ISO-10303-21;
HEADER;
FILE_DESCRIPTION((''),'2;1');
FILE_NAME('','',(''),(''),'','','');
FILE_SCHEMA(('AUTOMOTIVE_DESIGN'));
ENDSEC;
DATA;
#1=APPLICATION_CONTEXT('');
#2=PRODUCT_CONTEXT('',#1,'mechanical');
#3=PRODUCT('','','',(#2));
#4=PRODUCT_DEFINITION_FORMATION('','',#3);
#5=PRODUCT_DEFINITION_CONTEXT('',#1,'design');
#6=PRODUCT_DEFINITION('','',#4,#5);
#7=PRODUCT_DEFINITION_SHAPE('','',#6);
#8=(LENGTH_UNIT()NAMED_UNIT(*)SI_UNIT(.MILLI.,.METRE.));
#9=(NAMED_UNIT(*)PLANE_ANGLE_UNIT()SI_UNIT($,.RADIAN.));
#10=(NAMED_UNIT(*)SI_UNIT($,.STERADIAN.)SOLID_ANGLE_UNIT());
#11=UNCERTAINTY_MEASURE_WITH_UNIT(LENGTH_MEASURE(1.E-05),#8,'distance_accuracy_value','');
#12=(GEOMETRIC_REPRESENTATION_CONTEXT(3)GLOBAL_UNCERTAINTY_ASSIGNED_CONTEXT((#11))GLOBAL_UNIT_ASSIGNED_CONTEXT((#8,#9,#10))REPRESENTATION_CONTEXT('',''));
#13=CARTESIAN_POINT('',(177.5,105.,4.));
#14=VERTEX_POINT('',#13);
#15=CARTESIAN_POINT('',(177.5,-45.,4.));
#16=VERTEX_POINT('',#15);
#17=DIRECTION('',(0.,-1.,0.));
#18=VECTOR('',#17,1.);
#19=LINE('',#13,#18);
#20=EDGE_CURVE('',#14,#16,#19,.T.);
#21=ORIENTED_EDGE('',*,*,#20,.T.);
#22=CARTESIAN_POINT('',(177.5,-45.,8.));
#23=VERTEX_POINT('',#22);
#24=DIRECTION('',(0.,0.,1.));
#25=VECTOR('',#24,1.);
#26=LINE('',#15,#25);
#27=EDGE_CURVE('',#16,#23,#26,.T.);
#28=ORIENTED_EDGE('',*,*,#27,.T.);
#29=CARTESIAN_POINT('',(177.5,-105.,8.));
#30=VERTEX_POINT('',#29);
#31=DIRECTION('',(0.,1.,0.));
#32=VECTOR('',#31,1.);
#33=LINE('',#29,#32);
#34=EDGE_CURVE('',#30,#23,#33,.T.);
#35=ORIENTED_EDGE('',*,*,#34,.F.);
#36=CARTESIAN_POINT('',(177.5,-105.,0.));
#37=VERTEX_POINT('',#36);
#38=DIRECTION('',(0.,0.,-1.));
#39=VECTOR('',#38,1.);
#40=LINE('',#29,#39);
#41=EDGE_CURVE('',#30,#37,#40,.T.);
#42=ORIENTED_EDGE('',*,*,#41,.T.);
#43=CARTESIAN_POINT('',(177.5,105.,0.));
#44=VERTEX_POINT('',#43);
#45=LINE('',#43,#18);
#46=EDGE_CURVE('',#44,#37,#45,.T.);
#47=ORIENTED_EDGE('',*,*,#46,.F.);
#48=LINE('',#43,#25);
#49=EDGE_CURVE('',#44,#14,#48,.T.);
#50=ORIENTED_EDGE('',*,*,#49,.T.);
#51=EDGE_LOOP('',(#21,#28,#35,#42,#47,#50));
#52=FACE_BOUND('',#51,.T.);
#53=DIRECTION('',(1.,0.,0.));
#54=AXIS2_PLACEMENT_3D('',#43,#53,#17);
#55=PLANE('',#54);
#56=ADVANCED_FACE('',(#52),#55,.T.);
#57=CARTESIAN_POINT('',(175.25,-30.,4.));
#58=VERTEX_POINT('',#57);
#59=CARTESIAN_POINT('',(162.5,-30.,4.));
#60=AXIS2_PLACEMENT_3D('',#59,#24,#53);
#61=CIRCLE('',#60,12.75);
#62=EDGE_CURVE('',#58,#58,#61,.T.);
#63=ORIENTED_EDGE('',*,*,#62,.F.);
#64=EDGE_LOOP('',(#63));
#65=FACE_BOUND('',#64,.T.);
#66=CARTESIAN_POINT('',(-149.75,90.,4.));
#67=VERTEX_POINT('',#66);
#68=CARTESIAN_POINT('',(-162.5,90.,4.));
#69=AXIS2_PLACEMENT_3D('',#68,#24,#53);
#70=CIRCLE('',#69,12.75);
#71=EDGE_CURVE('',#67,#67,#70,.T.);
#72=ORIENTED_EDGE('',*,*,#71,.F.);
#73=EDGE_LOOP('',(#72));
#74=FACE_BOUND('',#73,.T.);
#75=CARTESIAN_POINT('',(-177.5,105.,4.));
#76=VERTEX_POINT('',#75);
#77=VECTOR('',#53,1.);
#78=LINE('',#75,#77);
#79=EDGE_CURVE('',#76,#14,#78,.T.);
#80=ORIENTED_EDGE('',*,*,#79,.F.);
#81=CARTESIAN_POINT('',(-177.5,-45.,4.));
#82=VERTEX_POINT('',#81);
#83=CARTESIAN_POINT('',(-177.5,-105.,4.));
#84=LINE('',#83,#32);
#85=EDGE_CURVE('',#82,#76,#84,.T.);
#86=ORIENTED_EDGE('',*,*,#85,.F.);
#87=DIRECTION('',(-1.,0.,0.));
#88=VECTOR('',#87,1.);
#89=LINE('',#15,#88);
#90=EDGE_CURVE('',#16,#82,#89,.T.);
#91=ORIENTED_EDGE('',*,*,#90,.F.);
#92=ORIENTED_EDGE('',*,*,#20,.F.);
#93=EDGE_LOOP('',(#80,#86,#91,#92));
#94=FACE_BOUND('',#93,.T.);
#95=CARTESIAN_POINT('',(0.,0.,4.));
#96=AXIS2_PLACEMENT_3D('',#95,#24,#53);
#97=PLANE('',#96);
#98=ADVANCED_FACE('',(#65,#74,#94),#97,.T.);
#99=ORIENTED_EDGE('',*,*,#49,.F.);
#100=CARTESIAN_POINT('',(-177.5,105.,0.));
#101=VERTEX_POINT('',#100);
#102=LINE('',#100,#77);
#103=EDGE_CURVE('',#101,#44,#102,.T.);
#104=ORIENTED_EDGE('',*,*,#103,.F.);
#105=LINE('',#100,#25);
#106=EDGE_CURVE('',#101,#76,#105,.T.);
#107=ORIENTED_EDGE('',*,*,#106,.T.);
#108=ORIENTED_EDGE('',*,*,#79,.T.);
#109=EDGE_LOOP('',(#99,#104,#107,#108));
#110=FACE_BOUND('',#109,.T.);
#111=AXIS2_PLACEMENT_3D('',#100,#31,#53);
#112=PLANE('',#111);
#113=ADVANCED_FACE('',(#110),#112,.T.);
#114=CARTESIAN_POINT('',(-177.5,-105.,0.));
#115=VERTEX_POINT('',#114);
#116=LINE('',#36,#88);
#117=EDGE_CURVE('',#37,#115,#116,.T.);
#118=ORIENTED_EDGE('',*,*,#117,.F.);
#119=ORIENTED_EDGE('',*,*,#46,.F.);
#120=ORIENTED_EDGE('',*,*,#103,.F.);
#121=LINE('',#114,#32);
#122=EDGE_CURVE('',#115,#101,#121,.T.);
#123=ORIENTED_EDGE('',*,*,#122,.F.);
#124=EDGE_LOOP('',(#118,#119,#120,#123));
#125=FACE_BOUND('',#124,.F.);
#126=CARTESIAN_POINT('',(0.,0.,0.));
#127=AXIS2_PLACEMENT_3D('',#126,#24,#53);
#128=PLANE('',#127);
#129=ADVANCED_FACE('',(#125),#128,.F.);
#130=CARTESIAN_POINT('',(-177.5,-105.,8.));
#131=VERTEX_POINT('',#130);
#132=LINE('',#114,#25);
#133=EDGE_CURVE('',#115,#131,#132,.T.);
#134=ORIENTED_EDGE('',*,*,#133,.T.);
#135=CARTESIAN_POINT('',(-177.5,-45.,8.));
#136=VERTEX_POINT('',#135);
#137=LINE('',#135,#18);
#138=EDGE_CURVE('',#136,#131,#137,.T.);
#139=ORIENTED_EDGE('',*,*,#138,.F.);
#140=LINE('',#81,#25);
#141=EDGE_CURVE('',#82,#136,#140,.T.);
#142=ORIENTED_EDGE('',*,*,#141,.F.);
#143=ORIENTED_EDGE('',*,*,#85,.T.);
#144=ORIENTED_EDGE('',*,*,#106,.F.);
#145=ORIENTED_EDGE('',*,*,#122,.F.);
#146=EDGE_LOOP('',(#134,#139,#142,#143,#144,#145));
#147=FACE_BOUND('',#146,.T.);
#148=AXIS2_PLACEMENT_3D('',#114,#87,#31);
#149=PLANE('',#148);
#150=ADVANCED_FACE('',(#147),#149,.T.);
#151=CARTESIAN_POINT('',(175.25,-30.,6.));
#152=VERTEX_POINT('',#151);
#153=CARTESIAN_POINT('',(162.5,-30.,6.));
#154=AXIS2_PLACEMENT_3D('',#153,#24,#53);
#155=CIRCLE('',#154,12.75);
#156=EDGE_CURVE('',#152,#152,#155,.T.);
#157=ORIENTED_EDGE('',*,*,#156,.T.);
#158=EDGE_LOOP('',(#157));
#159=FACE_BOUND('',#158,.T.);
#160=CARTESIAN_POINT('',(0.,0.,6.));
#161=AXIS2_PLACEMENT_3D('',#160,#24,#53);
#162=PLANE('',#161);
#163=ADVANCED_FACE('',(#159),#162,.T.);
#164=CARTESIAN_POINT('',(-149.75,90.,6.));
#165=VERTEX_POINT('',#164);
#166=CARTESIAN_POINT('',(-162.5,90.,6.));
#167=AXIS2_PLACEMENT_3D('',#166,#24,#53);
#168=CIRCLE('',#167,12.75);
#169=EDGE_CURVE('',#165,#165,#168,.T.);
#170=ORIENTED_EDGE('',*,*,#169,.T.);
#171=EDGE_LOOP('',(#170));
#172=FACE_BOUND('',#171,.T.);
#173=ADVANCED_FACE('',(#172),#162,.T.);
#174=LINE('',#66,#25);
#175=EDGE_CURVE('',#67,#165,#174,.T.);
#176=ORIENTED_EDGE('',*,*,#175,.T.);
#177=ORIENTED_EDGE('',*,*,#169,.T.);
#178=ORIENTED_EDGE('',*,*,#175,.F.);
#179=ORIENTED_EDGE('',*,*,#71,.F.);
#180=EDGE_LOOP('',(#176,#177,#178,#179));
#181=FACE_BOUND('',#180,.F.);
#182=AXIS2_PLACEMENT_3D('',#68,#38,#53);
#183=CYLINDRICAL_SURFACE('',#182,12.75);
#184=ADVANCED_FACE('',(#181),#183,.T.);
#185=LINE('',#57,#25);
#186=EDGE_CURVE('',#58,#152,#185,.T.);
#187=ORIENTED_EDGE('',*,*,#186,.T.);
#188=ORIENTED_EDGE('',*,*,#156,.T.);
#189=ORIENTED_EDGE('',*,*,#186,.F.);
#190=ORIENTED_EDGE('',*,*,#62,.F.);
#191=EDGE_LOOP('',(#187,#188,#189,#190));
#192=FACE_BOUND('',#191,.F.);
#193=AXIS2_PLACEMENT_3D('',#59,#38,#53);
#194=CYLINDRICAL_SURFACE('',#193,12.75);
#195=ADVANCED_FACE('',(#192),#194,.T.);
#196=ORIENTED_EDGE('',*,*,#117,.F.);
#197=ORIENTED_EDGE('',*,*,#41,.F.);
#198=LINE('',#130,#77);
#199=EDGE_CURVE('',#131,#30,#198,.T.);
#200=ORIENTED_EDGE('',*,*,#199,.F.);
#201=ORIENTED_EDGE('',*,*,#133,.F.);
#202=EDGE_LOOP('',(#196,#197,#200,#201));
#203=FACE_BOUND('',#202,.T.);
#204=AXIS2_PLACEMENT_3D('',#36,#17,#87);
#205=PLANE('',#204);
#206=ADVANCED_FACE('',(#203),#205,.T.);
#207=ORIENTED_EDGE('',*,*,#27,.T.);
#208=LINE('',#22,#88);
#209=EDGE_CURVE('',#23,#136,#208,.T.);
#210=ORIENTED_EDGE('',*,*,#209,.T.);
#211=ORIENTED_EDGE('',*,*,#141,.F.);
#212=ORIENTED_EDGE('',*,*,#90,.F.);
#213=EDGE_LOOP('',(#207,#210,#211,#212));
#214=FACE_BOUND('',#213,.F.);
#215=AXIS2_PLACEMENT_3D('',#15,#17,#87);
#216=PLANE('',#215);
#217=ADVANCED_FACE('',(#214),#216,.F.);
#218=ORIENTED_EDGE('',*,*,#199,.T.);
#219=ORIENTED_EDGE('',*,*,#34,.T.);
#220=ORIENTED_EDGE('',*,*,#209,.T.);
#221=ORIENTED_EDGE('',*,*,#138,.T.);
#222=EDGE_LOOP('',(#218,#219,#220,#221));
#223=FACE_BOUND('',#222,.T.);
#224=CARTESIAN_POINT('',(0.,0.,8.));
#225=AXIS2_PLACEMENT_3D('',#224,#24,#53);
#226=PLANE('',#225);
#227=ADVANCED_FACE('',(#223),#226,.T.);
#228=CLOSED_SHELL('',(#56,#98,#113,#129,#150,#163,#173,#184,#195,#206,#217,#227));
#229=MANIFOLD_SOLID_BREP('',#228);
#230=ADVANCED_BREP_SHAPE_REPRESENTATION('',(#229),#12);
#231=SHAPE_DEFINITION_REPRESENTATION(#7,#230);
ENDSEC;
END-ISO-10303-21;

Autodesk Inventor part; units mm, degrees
ref_plane "YZ Plane" through (0, 0, 0) normal (1, 0, 0) x (0, 1, 0)
ref_plane "XZ Plane" through (0, 0, 0) normal (0, 1, 0) x (-1, 0, 0)
ref_plane "XY Plane" through (0, 0, 0) normal (0, 0, 1) x (1, 0, 0)
sketch "Эскиз1" plane through (0, 0, 0) normal (0, 0, 1) x (1, 0, 0)
  line L0 (-177.5, 105) -> (177.5, 105)
  line L1 (177.5, 105) -> (177.5, -105)
  line L2 (177.5, -105) -> (-177.5, -105)
  line L3 (-177.5, -105) -> (-177.5, 105)
  line L4 (-177.5, 105) -> (177.5, -105) construction
  line L5 (177.5, 105) -> (-177.5, -105) construction
  point P0 (0, 0)
  dimension "d0" = 355
  dimension "d1" = 210
extrude "Выдавливание1" add sketch "Эскиз1" along normal blind 4
sketch "Эскиз2" plane through (0, 0, 4) normal (0, 0, 1) x (1, 0, 0)
  line L0 (-177.5, -105) -> (177.5, -105) projected
  line L1 (177.5, -105) -> (177.5, 105) projected
  line L2 (-177.5, -105) -> (177.5, -105)
  line L3 (177.5, -105) -> (177.5, -45)
  line L4 (177.5, -45) -> (-177.5, -45)
  line L5 (-177.5, -45) -> (-177.5, -105)
  point P0 (0, 0)
  dimension "d4" = 60
extrude "Выдавливание2" add sketch "Эскиз2" along normal blind 4
sketch "Эскиз3" plane through (0, 0, 4) normal (0, 0, 1) x (1, 0, 0)
  circle A0 centre (-162.5, 90) radius 15
  circle A1 centre (162.5, -30) radius 15
  line L0 (177.5, 105) -> (-177.5, 105) construction
  line L1 (-177.5, 105) -> (-177.5, -45) construction
  line L2 (177.5, -45) -> (-177.5, -45) construction
  line L3 (177.5, -45) -> (177.5, 105) construction
  circle A2 centre (-162.5, 90) radius 12.75
  circle A3 centre (162.5, -30) radius 12.75
  point P0 (0, 0)
  dimension "d14" = 30
  dimension "d15" = 30
  dimension "d16" = 25.5
  dimension "d17" = 25.5
extrude "Выдавливание3" add sketch "Эскиз3" along normal blind 2 contours A2 | A3
properties part number "монитор"
